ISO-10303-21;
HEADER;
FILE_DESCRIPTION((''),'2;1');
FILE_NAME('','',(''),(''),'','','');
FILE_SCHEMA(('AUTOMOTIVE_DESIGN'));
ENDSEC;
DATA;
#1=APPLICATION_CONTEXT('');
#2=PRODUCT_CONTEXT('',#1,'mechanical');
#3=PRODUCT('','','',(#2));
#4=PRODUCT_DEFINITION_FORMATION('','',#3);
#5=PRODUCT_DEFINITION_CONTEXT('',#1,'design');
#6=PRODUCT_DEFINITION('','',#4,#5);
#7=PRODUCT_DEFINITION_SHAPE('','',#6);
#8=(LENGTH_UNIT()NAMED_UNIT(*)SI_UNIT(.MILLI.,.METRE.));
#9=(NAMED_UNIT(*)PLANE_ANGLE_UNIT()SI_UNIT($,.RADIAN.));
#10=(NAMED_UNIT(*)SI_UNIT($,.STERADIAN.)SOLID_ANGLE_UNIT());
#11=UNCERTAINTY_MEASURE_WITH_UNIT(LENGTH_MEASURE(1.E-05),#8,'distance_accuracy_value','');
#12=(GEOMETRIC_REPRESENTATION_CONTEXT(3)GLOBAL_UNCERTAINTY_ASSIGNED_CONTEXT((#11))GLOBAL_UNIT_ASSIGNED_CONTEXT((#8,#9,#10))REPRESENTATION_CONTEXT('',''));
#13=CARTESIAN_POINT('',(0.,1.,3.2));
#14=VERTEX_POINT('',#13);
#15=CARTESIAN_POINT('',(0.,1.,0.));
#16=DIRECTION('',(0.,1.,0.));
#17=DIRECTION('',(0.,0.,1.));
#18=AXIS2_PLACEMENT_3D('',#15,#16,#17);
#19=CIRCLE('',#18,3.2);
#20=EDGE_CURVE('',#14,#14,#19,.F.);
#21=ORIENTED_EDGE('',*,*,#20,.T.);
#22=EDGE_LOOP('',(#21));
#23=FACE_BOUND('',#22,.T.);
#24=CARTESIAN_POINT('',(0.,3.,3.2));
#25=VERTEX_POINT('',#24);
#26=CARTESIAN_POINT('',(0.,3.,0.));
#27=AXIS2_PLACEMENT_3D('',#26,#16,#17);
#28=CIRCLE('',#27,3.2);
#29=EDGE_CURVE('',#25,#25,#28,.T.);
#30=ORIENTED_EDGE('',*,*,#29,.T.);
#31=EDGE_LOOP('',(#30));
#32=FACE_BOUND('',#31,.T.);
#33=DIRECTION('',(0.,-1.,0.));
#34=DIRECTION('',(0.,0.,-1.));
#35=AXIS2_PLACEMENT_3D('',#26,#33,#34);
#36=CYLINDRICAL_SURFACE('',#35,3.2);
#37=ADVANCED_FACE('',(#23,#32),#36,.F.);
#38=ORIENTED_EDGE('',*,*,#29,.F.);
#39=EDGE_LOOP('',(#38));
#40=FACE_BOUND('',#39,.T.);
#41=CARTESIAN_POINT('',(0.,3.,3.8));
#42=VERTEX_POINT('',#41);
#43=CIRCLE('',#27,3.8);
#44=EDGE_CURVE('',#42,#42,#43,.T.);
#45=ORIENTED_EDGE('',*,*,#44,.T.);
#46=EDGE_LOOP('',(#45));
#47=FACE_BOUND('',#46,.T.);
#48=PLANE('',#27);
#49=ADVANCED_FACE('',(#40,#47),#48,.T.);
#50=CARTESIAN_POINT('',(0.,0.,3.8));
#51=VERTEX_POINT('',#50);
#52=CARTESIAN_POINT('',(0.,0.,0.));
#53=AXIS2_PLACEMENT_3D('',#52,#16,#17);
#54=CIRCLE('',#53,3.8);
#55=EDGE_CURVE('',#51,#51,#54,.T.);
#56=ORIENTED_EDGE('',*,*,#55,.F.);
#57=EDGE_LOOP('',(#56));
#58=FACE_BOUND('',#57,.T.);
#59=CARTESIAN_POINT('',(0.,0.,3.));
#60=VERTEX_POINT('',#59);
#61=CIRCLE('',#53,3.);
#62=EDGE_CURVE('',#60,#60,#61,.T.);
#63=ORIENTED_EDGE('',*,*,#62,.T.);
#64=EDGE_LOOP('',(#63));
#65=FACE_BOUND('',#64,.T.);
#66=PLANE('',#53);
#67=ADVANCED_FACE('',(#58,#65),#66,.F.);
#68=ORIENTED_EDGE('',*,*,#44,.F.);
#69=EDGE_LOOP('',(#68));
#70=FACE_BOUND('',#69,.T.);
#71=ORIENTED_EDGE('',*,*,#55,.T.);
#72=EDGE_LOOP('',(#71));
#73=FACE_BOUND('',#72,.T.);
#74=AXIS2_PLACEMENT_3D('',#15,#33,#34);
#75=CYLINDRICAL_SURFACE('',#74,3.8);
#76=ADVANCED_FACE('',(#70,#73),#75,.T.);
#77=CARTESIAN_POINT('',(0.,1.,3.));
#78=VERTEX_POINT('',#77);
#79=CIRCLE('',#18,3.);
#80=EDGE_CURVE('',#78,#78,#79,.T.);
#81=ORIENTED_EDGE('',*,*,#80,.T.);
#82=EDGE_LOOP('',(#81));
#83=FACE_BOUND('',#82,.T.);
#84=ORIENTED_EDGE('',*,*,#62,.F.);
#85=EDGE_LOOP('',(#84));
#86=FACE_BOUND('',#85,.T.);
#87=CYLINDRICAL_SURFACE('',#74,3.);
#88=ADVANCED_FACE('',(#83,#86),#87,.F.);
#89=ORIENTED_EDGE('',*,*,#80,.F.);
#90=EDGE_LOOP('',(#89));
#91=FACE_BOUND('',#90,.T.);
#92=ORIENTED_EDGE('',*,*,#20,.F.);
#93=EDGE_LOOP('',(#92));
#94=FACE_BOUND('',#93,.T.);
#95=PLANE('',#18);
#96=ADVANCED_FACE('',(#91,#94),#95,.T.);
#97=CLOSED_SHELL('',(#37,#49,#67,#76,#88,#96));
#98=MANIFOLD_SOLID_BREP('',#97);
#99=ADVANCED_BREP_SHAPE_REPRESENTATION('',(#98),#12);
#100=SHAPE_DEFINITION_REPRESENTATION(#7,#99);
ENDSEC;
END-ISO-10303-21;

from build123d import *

# Parameters (mm, degrees)
SKETCH1_R           = 3.8
SKETCH1_R_2         = 3
BOSS_EXTRUDE1_DEPTH = 1
SKETCH2_R           = 3.8
SKETCH2_R_2         = 3.2
BOSS_EXTRUDE2_DEPTH = 2


with BuildPart() as part:
    # Sketch1 → Boss-Extrude1 (new body)
    with BuildSketch(Plane(origin=(0, 0, 0), x_dir=(1, 0, 0), z_dir=(0, 1, 0))):
        Circle(SKETCH1_R)
        Circle(SKETCH1_R_2, mode=Mode.SUBTRACT)
    extrude(amount=BOSS_EXTRUDE1_DEPTH)

    # Sketch2 → Boss-Extrude2 (add)
    with BuildSketch(Plane(origin=(0, 1, 0), x_dir=(1, 0, 0), z_dir=(0, 1, 0))):
        Circle(SKETCH2_R)
        Circle(SKETCH2_R_2, mode=Mode.SUBTRACT)
    extrude(amount=BOSS_EXTRUDE2_DEPTH)


solid = part.part
